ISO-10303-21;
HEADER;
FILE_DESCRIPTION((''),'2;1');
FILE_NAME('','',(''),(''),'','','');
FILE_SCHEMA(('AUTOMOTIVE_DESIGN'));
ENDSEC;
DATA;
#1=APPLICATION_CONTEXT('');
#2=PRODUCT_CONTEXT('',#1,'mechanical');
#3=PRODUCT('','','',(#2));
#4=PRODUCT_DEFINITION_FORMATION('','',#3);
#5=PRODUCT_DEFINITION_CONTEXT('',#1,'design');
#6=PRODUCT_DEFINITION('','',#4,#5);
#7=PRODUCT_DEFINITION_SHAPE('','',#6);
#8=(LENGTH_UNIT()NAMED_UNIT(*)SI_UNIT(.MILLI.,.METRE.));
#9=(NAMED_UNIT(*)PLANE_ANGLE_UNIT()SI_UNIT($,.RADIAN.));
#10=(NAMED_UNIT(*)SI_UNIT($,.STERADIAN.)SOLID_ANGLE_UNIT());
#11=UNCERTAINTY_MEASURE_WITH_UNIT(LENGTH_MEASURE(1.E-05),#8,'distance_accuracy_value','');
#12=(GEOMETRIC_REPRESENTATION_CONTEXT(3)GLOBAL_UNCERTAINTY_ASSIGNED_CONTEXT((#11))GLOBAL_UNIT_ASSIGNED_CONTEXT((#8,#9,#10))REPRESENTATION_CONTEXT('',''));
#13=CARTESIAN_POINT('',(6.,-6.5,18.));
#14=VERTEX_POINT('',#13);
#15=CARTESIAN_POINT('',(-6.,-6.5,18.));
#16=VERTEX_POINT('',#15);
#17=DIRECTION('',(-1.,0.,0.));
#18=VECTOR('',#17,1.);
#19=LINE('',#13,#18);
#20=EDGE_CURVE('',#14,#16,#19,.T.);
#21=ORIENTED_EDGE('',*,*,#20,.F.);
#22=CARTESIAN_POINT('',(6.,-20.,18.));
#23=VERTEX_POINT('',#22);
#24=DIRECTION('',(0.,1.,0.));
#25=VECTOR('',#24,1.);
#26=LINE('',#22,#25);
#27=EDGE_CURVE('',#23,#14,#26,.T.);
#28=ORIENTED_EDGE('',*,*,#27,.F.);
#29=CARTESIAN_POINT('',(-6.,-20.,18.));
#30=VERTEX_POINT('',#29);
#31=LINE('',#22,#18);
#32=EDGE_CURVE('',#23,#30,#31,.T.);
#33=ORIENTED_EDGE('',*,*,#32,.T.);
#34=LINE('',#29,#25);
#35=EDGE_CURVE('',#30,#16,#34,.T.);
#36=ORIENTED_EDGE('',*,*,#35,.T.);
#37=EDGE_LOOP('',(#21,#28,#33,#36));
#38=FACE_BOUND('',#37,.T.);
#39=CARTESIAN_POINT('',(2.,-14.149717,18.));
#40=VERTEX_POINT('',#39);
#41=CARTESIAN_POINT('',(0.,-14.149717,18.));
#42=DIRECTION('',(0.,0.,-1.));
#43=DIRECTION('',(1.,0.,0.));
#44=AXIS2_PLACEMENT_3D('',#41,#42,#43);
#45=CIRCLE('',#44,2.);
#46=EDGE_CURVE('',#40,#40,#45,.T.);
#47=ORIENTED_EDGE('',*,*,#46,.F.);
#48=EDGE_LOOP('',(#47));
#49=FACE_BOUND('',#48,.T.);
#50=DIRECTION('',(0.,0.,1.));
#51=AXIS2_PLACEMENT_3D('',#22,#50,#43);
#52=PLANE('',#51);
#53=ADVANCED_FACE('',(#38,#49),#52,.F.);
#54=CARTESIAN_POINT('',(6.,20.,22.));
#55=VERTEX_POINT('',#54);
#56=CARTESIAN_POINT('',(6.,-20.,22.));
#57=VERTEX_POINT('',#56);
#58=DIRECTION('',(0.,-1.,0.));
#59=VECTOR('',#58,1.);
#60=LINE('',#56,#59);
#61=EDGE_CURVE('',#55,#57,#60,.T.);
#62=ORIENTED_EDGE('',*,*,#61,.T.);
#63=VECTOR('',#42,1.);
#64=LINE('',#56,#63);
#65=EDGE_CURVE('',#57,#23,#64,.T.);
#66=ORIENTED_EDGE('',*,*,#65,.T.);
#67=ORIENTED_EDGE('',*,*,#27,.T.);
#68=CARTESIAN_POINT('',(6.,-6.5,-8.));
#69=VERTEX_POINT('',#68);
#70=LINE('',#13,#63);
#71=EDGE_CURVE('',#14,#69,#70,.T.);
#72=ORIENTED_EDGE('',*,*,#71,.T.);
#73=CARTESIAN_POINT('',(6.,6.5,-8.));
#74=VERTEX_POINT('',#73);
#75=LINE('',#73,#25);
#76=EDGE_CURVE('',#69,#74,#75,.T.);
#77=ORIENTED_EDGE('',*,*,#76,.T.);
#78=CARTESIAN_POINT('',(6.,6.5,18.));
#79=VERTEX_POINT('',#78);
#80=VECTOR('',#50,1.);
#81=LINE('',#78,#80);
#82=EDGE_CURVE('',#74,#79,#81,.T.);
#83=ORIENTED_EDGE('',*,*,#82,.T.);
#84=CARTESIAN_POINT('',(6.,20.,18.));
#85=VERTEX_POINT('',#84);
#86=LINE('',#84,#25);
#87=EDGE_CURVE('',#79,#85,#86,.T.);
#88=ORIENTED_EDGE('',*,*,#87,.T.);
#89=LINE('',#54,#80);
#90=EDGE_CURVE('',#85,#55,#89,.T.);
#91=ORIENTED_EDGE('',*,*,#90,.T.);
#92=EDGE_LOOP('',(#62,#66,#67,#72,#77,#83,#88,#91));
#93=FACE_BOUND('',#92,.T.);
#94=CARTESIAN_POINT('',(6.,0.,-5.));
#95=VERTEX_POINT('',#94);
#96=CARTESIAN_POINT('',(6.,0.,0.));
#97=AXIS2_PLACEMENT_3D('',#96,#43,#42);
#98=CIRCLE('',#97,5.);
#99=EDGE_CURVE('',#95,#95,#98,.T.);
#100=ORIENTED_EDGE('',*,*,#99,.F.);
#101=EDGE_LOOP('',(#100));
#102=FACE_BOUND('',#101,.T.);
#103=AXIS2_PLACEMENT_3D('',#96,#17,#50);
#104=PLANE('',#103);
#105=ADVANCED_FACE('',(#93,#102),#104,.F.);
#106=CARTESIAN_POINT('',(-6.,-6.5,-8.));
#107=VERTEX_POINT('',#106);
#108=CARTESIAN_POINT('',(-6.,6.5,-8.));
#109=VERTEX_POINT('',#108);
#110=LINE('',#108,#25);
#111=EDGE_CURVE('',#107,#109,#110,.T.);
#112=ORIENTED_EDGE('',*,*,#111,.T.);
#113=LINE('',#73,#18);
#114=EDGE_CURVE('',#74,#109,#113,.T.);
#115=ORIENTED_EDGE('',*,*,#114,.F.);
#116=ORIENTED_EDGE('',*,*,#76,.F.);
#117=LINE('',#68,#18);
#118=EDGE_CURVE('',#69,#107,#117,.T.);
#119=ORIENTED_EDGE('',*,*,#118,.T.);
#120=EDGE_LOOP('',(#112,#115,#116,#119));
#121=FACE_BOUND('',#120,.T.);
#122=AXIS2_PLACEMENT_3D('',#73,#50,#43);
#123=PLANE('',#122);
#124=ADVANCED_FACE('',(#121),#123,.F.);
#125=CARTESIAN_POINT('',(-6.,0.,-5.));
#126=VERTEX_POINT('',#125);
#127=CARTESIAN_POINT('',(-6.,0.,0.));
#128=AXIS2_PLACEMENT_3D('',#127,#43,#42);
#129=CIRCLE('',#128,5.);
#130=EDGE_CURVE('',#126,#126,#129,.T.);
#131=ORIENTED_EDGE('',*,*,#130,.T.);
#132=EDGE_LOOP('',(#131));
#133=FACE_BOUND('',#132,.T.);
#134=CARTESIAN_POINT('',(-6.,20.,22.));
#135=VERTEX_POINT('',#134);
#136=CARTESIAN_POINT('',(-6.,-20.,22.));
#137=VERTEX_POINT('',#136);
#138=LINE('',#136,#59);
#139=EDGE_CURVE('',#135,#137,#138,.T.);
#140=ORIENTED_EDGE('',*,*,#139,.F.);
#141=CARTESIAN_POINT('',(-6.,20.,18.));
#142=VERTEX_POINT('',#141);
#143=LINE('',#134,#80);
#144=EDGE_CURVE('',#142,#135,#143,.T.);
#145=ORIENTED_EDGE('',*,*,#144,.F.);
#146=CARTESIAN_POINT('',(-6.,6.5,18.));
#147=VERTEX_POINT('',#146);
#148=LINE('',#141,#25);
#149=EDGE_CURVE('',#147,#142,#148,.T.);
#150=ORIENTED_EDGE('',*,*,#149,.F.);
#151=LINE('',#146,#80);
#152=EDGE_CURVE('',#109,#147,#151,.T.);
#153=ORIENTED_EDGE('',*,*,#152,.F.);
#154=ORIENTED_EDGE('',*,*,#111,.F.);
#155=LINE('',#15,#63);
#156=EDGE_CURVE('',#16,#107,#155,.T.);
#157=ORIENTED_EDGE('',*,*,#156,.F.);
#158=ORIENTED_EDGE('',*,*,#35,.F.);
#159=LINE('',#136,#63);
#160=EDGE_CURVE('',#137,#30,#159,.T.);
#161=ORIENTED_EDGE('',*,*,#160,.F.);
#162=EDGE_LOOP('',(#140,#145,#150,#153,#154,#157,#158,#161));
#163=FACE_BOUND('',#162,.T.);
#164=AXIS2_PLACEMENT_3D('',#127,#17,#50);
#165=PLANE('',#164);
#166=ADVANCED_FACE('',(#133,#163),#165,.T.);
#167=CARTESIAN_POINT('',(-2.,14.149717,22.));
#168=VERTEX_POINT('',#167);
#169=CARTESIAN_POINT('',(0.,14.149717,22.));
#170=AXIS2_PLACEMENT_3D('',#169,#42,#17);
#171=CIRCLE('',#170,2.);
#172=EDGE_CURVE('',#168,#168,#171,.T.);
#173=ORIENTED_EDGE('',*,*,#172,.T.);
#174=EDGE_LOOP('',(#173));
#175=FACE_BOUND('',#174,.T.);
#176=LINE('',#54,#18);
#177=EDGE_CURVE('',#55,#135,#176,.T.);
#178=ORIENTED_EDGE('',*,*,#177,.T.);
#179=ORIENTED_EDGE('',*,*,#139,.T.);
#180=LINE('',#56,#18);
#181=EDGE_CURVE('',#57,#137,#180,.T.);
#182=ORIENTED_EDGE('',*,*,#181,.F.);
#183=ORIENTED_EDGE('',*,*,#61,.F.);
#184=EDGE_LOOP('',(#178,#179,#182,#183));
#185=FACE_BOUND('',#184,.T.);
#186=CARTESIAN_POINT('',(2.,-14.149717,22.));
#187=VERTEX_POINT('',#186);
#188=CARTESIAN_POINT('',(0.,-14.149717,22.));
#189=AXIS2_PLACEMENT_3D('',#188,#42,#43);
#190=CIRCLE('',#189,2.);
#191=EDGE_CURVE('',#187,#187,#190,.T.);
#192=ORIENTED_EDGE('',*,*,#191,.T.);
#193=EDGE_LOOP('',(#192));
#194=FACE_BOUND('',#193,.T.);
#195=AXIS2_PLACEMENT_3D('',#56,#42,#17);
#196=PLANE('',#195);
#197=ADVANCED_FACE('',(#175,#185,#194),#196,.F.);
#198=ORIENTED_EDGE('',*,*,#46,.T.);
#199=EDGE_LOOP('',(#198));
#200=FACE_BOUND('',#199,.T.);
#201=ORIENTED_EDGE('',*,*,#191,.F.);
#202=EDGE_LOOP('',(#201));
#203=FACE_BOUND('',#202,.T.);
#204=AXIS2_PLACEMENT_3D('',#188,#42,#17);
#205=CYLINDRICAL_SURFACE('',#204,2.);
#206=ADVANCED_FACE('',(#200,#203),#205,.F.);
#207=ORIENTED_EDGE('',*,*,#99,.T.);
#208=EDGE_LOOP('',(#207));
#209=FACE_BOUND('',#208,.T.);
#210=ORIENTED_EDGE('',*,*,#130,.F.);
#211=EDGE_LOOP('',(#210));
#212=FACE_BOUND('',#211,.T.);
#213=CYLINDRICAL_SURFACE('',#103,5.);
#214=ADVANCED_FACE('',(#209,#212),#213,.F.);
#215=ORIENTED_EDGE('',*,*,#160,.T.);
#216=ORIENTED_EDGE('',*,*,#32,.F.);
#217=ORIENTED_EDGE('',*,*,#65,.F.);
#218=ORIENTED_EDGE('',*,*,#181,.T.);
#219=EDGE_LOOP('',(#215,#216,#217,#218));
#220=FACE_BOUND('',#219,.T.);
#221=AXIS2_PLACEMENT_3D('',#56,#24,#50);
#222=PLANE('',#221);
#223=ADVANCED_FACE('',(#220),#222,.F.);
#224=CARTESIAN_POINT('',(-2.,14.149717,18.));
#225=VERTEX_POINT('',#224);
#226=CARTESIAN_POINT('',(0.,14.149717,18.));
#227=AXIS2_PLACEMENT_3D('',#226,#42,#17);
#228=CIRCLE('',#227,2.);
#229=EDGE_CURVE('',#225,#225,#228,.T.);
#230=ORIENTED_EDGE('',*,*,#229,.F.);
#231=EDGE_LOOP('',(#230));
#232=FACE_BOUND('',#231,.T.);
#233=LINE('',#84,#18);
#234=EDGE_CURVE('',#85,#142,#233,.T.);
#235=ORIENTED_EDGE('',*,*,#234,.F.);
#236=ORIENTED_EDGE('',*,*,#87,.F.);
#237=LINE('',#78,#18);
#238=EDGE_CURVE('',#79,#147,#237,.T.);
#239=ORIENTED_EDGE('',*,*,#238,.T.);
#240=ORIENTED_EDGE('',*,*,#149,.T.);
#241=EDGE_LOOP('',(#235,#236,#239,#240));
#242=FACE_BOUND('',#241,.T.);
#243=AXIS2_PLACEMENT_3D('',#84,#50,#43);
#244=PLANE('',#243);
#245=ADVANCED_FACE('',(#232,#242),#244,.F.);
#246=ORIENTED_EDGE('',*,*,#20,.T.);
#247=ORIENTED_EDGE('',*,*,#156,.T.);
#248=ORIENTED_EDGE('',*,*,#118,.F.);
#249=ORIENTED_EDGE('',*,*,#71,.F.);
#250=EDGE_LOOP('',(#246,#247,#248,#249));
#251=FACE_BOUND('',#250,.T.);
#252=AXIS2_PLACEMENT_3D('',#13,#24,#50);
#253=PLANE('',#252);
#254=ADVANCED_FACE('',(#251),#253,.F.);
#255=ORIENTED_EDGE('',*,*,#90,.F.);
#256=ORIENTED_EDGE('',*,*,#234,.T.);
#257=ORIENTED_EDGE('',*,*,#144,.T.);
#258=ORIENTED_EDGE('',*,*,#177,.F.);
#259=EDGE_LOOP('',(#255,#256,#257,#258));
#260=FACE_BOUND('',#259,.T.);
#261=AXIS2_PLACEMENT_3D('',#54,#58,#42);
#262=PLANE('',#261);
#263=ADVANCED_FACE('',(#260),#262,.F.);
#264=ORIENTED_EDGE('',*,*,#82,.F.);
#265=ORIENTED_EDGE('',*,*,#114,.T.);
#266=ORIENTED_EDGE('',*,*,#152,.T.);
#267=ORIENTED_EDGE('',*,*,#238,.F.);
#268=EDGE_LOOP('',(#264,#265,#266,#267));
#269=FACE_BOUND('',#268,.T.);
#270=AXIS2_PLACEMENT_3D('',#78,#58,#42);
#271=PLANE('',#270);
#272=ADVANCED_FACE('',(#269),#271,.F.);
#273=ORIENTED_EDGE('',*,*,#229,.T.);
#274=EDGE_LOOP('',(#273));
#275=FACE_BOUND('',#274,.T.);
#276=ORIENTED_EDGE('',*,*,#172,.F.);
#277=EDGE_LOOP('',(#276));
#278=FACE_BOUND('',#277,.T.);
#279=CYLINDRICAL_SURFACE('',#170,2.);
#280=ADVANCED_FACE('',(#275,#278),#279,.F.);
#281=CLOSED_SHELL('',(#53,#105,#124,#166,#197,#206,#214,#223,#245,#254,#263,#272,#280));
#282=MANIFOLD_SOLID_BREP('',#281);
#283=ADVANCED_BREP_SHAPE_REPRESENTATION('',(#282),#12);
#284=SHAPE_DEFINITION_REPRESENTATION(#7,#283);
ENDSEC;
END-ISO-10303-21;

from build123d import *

# Parameters (mm, degrees)
SKETCH1_R           = 5
BOSS_EXTRUDE1_DEPTH = 6
SKETCH2_R           = 2
CUT_EXTRUDE1_DEPTH  = 5


with BuildPart() as part:
    # Sketch1 → Boss-Extrude1 (new body, symmetric)
    with BuildSketch(Plane(origin=(0, 0, 0), x_dir=(0, 0, -1), z_dir=(1, 0, 0))):
        Polygon((-22, -20), (-22, 20), (-18, 20), (-18, 6.5), (8, 6.5), (8, -6.5), (-18, -6.5), (-18, -20), align=None)
        Circle(SKETCH1_R, mode=Mode.SUBTRACT)
    extrude(amount=BOSS_EXTRUDE1_DEPTH, both=True)

    # Sketch2 → Cut-Extrude1 (cut, through all)
    with BuildSketch(Plane(origin=(0, 0, 18), x_dir=(-1, 0, 0), z_dir=(0, 0, -1))):
        with Locations((0, 14.149716829)):
            Circle(SKETCH2_R)
        with Locations((0, -14.149716829)):
            Circle(SKETCH2_R)
    extrude(amount=-CUT_EXTRUDE1_DEPTH, mode=Mode.SUBTRACT)


solid = part.part
